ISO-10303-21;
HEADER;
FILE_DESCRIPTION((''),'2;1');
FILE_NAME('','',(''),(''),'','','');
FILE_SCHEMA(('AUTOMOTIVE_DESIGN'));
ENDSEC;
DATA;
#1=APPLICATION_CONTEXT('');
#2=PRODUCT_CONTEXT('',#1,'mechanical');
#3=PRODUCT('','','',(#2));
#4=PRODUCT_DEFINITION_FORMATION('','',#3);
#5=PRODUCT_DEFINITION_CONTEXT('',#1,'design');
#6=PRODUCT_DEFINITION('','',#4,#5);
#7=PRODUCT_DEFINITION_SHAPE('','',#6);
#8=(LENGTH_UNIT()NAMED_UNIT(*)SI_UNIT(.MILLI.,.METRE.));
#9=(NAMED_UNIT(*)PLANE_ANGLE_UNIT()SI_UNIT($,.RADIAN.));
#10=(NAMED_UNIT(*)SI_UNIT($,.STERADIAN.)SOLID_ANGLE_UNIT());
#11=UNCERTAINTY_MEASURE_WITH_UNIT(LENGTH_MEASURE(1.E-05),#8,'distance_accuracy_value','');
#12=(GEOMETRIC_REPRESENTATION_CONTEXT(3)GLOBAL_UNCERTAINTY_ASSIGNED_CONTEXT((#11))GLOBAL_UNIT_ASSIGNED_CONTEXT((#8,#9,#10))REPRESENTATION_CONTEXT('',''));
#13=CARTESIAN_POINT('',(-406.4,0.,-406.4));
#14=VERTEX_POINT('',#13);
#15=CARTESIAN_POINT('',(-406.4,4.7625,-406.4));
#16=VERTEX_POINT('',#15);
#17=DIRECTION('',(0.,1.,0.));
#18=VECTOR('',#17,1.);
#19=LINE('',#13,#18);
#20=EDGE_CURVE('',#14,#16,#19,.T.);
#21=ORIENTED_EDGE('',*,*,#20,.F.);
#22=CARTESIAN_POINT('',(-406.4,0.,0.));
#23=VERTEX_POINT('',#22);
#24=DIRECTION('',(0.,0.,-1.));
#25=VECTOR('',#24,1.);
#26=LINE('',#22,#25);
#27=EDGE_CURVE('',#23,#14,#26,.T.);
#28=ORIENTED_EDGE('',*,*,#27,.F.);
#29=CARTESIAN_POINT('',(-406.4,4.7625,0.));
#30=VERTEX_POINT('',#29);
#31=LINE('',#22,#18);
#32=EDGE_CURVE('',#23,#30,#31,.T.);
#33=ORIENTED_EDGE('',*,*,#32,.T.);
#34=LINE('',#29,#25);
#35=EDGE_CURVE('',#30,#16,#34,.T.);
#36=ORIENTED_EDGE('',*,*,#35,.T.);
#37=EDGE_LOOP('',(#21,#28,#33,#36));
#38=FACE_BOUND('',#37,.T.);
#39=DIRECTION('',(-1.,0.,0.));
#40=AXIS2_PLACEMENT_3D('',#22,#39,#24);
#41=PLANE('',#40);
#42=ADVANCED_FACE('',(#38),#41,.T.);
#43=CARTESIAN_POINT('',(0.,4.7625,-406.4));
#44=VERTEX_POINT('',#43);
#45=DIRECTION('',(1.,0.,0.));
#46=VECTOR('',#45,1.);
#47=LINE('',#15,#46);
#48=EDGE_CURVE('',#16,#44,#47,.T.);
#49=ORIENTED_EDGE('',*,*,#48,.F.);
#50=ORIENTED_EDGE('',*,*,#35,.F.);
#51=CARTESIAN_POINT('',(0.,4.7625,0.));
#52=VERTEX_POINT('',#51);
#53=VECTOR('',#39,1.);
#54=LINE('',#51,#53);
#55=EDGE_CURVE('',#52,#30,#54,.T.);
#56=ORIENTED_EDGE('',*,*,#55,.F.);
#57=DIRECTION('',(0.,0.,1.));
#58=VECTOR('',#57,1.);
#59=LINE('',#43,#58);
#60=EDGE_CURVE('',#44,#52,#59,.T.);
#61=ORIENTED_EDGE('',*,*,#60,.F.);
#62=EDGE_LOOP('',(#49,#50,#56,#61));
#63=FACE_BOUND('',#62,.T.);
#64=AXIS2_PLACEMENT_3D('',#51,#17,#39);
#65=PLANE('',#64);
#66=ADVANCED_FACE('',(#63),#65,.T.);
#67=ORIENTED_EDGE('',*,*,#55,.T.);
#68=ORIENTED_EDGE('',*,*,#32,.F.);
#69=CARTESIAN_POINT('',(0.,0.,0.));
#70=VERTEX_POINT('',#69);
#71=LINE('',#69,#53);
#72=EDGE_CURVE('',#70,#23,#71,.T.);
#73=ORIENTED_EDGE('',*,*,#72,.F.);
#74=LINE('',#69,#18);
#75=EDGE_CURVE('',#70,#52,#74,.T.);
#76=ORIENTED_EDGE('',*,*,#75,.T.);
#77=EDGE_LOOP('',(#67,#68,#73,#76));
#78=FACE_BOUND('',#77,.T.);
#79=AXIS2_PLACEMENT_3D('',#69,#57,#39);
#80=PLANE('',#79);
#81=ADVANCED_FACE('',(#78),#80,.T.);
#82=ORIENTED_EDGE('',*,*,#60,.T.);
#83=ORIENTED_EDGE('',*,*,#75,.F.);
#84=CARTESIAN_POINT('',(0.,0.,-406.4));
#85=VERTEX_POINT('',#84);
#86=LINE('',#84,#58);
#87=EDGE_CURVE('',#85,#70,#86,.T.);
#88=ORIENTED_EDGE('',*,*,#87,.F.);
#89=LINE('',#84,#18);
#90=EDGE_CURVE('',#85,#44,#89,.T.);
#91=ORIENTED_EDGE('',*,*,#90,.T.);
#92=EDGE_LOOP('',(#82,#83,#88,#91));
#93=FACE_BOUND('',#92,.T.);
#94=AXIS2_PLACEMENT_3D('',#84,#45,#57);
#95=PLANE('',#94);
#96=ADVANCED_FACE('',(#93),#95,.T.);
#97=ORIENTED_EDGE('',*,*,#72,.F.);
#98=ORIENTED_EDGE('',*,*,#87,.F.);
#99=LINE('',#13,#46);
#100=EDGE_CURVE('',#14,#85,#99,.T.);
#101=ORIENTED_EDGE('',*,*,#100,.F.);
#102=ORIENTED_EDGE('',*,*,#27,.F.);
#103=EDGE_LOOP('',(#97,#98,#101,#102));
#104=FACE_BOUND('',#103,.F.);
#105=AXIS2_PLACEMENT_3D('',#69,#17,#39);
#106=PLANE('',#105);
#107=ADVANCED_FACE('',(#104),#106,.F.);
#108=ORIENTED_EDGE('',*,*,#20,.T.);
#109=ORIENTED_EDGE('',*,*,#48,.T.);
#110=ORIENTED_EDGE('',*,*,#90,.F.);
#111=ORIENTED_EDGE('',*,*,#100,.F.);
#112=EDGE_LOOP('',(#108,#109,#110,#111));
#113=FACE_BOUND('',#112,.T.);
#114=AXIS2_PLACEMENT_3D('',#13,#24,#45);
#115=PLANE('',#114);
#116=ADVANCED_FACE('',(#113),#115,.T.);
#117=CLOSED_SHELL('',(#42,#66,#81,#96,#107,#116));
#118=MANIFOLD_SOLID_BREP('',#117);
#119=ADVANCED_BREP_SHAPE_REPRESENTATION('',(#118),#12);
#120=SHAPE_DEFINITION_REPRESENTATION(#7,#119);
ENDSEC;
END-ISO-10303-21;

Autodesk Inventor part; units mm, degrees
ref_plane "YZ Plane" through (0, 0, 0) normal (1, 0, 0) x (0, 1, 0)
ref_plane "XZ Plane" through (0, 0, 0) normal (0, 1, 0) x (-1, 0, 0)
ref_plane "XY Plane" through (0, 0, 0) normal (0, 0, 1) x (1, 0, 0)
sketch "Sketch2" plane through (0, 0, 0) normal (0, 1, 0) x (-1, 0, 0)
  line L0 (0, 0) -> (406.4, 0)
  line L1 (406.4, 0) -> (406.4, -406.4)
  line L2 (406.4, -406.4) -> (0, -406.4)
  line L3 (0, -406.4) -> (0, 0)
  dimension "d0" = 406.4
  dimension "d1" = 406.4
extrude "Extrusion1" add sketch "Sketch2" along normal blind 4.7625
properties part number "Base"
